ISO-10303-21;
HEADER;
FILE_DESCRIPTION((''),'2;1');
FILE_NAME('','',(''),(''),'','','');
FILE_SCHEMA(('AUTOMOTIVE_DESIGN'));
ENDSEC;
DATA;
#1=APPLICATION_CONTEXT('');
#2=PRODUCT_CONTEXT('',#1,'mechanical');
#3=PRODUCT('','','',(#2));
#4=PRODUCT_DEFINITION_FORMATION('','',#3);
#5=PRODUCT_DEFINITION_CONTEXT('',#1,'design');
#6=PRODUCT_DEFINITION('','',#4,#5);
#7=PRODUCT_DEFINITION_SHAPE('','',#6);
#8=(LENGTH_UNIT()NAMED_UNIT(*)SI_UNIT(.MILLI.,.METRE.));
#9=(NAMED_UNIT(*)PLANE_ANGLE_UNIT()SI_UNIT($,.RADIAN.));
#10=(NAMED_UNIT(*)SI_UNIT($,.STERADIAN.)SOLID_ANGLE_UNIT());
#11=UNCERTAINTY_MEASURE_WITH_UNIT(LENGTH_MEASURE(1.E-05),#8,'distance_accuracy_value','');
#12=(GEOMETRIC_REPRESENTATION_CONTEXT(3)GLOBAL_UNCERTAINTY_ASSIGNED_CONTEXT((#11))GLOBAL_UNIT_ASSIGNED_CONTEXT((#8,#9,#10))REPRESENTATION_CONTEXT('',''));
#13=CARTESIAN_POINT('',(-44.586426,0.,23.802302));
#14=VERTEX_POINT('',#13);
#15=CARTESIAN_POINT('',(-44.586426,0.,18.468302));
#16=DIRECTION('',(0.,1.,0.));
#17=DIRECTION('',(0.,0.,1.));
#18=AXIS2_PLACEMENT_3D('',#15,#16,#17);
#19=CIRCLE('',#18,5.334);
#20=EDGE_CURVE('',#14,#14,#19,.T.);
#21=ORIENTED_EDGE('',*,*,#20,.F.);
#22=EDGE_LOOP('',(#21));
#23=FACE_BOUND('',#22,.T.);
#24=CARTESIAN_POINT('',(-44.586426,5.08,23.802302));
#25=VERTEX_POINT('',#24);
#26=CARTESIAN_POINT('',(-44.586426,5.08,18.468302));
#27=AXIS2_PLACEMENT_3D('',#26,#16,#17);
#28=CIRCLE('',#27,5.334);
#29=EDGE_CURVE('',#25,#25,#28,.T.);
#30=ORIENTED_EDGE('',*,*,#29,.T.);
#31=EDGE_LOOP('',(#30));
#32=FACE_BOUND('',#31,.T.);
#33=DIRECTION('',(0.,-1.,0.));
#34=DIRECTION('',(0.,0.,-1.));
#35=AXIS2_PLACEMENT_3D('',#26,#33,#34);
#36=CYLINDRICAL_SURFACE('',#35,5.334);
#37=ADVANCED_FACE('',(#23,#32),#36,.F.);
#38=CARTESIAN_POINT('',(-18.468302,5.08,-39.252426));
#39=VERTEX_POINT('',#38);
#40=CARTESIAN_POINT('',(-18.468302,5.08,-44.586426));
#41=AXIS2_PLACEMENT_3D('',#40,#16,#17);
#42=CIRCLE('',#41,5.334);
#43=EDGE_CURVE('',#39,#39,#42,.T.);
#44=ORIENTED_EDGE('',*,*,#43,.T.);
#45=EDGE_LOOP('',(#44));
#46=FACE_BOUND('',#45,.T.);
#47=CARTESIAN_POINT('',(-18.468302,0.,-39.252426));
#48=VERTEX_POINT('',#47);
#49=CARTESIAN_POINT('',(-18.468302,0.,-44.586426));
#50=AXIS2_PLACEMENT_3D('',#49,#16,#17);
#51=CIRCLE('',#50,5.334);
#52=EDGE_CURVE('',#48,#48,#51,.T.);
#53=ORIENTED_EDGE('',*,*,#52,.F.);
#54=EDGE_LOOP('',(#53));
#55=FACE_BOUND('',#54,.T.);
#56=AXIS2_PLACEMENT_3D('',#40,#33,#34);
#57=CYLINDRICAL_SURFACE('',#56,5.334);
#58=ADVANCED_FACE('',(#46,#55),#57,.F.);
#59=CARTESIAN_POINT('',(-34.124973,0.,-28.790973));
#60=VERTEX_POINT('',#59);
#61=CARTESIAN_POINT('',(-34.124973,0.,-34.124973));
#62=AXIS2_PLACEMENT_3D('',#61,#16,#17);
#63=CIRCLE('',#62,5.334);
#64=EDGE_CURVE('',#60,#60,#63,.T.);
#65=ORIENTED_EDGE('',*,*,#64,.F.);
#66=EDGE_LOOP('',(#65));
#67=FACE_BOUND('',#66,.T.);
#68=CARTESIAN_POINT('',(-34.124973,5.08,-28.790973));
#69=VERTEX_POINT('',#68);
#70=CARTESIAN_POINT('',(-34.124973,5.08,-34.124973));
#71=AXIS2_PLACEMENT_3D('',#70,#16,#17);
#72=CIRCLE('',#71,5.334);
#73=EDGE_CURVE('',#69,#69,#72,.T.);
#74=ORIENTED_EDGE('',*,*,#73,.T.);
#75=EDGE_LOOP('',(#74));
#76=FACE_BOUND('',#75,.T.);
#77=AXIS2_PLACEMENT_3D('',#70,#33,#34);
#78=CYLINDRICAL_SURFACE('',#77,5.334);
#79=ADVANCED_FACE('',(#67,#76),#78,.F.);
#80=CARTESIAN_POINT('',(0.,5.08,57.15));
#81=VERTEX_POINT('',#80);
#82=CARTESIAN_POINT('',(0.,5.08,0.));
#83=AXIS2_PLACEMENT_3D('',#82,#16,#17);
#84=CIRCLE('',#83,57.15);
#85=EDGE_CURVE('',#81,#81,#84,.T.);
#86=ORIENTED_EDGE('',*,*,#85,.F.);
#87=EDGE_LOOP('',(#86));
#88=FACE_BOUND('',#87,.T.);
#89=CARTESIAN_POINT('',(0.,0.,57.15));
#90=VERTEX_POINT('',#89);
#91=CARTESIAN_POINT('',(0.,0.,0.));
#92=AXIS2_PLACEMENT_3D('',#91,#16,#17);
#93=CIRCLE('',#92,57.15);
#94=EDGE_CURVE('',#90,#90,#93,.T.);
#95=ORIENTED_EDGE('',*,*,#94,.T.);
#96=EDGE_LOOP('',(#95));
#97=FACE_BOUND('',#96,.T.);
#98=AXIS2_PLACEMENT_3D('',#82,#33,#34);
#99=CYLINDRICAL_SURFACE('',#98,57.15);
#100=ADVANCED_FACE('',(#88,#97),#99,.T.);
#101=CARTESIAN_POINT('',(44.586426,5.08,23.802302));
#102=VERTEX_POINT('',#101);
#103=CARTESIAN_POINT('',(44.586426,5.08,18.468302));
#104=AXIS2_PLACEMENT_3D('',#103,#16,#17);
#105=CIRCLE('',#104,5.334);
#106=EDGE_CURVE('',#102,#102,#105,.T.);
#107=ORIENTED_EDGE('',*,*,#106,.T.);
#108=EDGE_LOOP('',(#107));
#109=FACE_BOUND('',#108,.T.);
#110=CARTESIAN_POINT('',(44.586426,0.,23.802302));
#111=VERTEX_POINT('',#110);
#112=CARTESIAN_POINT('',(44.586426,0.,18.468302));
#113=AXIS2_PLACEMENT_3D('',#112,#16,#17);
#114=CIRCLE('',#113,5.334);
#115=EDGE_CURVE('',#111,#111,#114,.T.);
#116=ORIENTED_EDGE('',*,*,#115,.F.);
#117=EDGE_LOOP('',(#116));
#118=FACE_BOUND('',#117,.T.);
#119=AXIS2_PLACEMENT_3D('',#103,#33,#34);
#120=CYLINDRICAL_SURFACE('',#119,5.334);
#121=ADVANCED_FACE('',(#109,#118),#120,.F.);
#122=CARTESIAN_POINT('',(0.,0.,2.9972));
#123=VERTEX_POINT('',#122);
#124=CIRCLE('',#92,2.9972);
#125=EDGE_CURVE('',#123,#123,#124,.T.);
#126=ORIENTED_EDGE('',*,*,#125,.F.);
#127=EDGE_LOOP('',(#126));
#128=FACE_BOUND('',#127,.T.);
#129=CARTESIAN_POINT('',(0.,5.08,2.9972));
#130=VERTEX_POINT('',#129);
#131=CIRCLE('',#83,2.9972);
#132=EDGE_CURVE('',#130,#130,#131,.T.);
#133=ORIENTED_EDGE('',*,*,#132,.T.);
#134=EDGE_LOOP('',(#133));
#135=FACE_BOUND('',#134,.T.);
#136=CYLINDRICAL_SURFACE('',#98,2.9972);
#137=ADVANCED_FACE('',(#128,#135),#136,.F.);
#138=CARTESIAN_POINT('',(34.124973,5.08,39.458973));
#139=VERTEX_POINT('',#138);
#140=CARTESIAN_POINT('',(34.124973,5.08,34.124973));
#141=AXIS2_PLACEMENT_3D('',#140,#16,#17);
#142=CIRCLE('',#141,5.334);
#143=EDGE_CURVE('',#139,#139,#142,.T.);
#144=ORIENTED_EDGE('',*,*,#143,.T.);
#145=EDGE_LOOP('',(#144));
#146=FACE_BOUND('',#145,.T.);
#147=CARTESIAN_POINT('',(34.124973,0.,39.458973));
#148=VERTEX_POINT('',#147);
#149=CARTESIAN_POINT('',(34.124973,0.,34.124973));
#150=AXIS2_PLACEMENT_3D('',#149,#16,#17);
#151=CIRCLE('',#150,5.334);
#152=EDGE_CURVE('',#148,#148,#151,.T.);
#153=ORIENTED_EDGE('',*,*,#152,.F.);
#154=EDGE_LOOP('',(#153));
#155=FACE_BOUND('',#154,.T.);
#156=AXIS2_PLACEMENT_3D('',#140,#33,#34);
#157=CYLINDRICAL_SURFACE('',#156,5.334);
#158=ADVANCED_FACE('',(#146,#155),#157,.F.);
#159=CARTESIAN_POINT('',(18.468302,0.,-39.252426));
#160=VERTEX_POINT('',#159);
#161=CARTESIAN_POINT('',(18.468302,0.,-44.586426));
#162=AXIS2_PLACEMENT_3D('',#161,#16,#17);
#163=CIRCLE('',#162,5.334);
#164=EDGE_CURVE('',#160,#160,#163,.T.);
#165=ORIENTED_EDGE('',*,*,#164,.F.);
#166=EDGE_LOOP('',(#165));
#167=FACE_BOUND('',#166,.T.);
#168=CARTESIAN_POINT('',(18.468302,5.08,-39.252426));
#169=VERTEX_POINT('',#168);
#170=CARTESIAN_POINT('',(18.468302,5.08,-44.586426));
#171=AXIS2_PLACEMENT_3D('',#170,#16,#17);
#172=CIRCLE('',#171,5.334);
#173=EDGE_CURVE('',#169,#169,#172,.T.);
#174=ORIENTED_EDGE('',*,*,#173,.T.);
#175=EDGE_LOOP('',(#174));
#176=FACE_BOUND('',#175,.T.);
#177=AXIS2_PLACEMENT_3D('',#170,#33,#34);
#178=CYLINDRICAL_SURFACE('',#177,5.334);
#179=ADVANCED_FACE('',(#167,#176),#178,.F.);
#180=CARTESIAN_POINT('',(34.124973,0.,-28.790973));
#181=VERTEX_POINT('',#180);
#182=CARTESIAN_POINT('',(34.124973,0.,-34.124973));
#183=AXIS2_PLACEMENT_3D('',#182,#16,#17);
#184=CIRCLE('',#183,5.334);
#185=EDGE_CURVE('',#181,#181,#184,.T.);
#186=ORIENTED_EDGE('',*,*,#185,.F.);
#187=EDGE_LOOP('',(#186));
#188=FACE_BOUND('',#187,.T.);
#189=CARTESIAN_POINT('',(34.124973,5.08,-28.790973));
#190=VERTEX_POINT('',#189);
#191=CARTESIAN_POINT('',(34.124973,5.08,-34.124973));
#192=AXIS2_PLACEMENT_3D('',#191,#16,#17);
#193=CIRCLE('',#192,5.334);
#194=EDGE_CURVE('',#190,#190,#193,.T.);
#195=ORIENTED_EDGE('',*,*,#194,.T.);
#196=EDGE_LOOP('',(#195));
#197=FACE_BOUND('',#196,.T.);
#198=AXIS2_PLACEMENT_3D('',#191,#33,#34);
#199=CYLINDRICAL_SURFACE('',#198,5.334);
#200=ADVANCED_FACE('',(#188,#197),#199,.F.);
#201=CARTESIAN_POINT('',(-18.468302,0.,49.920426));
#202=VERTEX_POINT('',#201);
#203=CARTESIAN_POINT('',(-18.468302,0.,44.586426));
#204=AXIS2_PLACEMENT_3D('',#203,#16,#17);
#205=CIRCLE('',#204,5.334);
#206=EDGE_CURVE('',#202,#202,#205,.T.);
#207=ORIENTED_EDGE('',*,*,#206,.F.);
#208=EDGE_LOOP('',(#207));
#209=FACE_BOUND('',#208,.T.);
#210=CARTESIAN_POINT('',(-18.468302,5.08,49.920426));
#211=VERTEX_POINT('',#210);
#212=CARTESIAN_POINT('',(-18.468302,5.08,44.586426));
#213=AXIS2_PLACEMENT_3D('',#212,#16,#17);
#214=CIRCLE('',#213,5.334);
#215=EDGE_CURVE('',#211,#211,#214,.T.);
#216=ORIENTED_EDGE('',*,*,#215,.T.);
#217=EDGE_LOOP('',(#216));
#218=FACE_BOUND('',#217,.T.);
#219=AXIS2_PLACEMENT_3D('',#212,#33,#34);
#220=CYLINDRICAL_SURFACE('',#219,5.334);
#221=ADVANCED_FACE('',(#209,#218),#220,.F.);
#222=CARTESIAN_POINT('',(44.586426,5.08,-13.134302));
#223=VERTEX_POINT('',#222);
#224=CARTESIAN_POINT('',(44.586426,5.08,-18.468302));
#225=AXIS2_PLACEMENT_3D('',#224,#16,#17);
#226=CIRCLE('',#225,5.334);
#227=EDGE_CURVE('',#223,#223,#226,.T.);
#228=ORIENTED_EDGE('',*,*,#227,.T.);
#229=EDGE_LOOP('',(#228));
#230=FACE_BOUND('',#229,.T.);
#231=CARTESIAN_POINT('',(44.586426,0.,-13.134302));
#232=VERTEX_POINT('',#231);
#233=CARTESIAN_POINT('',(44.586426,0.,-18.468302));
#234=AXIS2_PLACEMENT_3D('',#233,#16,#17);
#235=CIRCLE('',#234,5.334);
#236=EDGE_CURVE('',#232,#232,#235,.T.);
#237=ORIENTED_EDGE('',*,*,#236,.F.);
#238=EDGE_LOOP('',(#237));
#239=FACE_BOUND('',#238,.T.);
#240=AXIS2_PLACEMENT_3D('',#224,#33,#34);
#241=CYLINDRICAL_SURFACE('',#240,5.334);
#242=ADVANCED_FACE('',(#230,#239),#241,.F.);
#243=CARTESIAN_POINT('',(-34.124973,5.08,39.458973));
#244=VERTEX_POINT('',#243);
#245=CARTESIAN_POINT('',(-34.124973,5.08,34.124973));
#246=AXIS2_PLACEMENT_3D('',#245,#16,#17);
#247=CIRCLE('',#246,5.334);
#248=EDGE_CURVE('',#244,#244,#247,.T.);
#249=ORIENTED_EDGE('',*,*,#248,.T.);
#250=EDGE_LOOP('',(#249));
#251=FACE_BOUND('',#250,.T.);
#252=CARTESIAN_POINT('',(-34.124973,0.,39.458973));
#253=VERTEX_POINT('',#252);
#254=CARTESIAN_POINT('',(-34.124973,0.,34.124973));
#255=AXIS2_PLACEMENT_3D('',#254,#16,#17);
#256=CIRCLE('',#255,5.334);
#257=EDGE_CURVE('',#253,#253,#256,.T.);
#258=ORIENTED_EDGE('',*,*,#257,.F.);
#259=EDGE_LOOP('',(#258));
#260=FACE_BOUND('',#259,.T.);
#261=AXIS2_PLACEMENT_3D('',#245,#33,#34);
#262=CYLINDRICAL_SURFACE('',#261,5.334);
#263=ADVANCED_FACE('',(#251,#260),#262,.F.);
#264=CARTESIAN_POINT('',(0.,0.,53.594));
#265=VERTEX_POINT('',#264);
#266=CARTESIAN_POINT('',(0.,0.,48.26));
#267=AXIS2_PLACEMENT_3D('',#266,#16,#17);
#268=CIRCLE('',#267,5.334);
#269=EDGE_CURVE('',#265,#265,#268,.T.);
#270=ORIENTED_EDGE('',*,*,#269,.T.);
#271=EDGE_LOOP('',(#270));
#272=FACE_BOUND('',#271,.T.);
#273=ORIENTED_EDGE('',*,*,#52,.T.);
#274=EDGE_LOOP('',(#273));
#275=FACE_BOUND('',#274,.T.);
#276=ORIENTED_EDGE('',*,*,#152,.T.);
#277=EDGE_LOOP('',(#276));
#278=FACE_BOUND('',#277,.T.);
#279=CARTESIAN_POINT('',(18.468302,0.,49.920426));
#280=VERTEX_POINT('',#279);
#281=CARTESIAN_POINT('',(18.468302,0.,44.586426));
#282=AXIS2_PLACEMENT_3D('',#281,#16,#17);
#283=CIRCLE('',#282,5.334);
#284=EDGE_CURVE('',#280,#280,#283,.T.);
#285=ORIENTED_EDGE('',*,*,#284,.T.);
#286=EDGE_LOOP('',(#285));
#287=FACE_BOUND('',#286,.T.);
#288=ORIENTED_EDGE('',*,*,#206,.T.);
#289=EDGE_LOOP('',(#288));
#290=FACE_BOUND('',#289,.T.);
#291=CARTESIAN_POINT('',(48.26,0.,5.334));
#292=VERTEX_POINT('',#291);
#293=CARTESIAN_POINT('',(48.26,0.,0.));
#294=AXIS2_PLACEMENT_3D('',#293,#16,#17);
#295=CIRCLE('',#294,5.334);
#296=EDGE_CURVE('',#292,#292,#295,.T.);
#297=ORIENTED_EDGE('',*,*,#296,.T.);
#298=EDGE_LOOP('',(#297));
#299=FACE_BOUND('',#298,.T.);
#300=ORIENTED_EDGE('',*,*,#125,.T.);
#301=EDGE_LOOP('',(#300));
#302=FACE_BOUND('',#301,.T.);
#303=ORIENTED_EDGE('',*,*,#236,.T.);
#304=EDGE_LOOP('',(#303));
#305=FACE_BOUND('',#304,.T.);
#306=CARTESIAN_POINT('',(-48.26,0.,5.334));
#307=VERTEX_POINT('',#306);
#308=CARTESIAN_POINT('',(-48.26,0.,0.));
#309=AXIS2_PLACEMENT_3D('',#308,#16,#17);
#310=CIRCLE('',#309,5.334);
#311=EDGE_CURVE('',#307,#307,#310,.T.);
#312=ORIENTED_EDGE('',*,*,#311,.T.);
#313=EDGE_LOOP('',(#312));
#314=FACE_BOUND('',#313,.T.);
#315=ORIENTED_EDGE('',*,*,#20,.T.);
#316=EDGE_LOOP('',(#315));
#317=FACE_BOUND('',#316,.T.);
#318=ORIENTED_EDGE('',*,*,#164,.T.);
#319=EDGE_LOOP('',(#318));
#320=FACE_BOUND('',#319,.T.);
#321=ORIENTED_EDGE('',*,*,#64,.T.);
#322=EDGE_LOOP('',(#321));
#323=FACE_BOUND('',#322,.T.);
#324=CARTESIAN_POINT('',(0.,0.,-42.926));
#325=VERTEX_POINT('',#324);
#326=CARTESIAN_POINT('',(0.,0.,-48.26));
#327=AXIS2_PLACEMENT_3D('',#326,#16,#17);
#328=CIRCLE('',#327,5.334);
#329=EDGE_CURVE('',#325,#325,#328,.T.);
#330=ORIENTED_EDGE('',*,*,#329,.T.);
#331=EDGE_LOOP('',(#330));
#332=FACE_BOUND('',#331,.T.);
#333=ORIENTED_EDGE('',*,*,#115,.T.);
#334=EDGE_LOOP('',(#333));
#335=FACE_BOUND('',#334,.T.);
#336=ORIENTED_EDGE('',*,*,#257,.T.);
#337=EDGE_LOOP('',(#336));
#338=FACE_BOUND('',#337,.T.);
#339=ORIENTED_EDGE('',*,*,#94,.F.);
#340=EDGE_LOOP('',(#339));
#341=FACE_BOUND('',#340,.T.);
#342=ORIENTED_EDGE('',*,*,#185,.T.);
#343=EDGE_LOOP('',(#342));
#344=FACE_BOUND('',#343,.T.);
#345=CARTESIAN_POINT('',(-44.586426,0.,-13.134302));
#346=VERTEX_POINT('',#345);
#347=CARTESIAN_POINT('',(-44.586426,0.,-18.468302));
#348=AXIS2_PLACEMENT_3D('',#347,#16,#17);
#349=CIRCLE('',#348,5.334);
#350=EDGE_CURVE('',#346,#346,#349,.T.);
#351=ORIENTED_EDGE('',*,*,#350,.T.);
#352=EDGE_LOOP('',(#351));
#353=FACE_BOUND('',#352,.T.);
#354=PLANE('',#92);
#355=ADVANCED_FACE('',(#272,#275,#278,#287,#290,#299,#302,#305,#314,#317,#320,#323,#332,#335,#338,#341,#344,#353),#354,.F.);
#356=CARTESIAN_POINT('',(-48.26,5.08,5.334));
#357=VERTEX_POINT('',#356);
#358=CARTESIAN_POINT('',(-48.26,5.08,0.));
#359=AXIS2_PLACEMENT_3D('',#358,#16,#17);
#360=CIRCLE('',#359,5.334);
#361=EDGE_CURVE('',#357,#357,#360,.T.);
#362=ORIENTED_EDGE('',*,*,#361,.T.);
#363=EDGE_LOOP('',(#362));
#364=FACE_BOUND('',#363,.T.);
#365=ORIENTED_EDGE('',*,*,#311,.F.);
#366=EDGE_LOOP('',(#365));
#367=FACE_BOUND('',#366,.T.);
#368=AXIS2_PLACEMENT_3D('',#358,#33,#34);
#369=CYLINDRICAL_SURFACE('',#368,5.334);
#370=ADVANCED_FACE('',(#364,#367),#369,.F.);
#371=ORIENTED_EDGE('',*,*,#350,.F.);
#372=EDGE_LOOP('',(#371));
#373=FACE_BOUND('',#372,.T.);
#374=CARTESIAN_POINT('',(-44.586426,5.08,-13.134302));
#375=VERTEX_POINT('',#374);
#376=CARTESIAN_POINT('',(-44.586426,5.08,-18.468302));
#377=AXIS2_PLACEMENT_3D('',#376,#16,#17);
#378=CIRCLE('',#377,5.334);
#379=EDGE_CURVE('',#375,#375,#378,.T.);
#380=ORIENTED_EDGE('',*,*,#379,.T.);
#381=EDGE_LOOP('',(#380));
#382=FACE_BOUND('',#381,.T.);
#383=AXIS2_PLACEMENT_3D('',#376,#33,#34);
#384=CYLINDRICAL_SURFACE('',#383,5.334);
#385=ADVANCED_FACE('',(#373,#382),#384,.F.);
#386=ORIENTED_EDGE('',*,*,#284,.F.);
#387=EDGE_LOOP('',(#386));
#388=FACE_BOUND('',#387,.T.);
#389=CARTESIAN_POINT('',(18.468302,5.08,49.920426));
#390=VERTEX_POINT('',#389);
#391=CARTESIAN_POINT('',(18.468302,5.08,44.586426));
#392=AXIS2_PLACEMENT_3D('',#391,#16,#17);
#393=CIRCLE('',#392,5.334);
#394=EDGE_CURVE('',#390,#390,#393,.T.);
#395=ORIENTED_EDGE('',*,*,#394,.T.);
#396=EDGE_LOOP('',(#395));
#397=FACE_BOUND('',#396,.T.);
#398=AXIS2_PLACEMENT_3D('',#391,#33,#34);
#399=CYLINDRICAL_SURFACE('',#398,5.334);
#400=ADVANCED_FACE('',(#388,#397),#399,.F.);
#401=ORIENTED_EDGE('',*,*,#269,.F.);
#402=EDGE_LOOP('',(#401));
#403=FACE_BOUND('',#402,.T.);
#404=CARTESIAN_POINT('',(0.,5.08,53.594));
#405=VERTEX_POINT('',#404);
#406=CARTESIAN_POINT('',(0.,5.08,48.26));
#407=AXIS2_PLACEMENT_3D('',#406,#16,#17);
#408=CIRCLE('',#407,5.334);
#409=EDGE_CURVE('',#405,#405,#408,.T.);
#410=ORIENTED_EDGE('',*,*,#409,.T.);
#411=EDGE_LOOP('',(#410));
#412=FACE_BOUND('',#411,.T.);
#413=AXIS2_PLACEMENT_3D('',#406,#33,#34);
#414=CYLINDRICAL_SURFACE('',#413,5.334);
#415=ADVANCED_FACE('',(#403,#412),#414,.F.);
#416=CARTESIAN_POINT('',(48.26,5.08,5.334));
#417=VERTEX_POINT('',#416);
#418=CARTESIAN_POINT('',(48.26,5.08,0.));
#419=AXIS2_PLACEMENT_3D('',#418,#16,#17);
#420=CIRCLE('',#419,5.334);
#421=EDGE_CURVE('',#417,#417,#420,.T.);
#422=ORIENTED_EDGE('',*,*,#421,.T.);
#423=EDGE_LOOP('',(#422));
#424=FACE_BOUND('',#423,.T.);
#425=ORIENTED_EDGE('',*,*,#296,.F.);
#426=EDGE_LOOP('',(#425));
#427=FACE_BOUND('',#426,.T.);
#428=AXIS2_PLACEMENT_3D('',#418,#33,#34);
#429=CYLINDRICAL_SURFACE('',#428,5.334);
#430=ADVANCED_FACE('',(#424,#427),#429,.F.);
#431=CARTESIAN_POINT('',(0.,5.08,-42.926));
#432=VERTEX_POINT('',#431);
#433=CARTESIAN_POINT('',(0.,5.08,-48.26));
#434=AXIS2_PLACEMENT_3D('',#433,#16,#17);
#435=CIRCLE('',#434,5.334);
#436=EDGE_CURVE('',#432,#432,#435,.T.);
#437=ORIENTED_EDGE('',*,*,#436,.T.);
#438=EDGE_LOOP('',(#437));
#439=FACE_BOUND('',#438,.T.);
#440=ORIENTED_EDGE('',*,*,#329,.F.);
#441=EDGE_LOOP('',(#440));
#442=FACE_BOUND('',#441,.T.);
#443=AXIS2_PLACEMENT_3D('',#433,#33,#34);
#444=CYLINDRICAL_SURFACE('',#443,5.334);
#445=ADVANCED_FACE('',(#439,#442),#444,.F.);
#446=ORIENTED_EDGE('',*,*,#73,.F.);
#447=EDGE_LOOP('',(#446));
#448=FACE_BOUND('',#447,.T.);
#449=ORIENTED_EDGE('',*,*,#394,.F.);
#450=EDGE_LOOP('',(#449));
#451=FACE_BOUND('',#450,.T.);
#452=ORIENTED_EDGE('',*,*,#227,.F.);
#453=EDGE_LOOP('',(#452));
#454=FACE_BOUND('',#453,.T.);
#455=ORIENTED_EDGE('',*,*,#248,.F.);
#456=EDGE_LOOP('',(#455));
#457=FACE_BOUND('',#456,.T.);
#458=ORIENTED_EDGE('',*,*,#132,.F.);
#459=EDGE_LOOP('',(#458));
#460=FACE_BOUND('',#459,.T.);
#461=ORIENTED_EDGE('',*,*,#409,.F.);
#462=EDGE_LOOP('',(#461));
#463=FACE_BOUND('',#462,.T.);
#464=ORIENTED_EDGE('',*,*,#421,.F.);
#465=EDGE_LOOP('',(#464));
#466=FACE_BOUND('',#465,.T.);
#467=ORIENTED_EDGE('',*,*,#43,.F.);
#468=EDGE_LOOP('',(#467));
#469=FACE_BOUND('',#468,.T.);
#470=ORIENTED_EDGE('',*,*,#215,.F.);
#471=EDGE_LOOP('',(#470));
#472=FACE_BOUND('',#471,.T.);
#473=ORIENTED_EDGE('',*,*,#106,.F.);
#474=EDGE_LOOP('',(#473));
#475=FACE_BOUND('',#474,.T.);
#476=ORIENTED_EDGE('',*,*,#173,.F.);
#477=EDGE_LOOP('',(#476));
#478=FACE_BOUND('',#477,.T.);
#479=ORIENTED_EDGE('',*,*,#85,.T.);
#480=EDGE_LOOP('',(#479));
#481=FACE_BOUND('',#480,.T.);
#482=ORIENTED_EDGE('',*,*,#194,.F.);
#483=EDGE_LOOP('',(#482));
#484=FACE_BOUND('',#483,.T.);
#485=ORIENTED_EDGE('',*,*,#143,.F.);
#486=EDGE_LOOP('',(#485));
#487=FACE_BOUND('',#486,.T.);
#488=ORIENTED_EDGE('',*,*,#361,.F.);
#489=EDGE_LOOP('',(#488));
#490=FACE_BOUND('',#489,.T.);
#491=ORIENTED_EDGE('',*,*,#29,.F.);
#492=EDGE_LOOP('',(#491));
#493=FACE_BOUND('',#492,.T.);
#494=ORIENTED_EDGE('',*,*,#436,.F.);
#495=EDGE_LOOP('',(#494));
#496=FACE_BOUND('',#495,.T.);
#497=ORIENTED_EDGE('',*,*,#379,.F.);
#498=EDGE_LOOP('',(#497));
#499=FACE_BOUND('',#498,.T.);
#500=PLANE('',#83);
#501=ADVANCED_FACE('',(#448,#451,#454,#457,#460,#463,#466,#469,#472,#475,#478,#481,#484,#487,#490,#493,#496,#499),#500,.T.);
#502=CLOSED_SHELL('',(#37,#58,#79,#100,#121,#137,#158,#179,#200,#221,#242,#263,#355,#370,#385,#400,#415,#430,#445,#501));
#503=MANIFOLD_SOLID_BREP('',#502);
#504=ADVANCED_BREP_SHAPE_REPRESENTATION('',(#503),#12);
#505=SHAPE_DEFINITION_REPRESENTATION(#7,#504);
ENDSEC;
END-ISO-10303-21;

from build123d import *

# Parameters (mm, degrees)
SKETCH1_R           = 57.15
SKETCH1_R_2         = 2.9972
SKETCH1_R_3         = 5.334
BOSS_EXTRUDE1_DEPTH = 5.08


with BuildPart() as part:
    # Sketch1 → Boss-Extrude1 (new body)
    with BuildSketch(Plane(origin=(0, 0, 0), x_dir=(1, 0, 0), z_dir=(0, 1, 0))):
        with Locations(Location((0, 0, 0), (0, 0, 270))):
            Circle(SKETCH1_R)
        with Locations(Location((0, 0, 0), (0, 0, 270))):
            Circle(SKETCH1_R_2, mode=Mode.SUBTRACT)
        with Locations(Location((0, 48.26, 0), (0, 0, 270))):
            Circle(SKETCH1_R_3, mode=Mode.SUBTRACT)
        with Locations(Location((18.468302446, 44.586426239, 0), (0, 0, 270))):
            Circle(SKETCH1_R_3, mode=Mode.SUBTRACT)
        with Locations(Location((34.12497326, 34.12497326, 0), (0, 0, 270))):
            Circle(SKETCH1_R_3, mode=Mode.SUBTRACT)
        with Locations(Location((44.586426239, 18.468302446, 0), (0, 0, 270))):
            Circle(SKETCH1_R_3, mode=Mode.SUBTRACT)
        with Locations(Location((48.26, 0, 0), (0, 0, 270))):
            Circle(SKETCH1_R_3, mode=Mode.SUBTRACT)
        with Locations(Location((44.586426239, -18.468302446, 0), (0, 0, 270))):
            Circle(SKETCH1_R_3, mode=Mode.SUBTRACT)
        with Locations(Location((34.12497326, -34.12497326, 0), (0, 0, 270))):
            Circle(SKETCH1_R_3, mode=Mode.SUBTRACT)
        with Locations(Location((18.468302446, -44.586426239, 0), (0, 0, 270))):
            Circle(SKETCH1_R_3, mode=Mode.SUBTRACT)
        with Locations(Location((0, -48.26, 0), (0, 0, 270))):
            Circle(SKETCH1_R_3, mode=Mode.SUBTRACT)
        with Locations(Location((-18.468302446, -44.586426239, 0), (0, 0, 270))):
            Circle(SKETCH1_R_3, mode=Mode.SUBTRACT)
        with Locations(Location((-34.12497326, -34.12497326, 0), (0, 0, 270))):
            Circle(SKETCH1_R_3, mode=Mode.SUBTRACT)
        with Locations(Location((-44.586426239, -18.468302446, 0), (0, 0, 270))):
            Circle(SKETCH1_R_3, mode=Mode.SUBTRACT)
        with Locations(Location((-48.26, 0, 0), (0, 0, 270))):
            Circle(SKETCH1_R_3, mode=Mode.SUBTRACT)
        with Locations(Location((-44.586426239, 18.468302446, 0), (0, 0, 270))):
            Circle(SKETCH1_R_3, mode=Mode.SUBTRACT)
        with Locations(Location((-34.12497326, 34.12497326, 0), (0, 0, 270))):
            Circle(SKETCH1_R_3, mode=Mode.SUBTRACT)
        with Locations(Location((-18.468302446, 44.586426239, 0), (0, 0, 270))):
            Circle(SKETCH1_R_3, mode=Mode.SUBTRACT)
    extrude(amount=BOSS_EXTRUDE1_DEPTH)


solid = part.part
